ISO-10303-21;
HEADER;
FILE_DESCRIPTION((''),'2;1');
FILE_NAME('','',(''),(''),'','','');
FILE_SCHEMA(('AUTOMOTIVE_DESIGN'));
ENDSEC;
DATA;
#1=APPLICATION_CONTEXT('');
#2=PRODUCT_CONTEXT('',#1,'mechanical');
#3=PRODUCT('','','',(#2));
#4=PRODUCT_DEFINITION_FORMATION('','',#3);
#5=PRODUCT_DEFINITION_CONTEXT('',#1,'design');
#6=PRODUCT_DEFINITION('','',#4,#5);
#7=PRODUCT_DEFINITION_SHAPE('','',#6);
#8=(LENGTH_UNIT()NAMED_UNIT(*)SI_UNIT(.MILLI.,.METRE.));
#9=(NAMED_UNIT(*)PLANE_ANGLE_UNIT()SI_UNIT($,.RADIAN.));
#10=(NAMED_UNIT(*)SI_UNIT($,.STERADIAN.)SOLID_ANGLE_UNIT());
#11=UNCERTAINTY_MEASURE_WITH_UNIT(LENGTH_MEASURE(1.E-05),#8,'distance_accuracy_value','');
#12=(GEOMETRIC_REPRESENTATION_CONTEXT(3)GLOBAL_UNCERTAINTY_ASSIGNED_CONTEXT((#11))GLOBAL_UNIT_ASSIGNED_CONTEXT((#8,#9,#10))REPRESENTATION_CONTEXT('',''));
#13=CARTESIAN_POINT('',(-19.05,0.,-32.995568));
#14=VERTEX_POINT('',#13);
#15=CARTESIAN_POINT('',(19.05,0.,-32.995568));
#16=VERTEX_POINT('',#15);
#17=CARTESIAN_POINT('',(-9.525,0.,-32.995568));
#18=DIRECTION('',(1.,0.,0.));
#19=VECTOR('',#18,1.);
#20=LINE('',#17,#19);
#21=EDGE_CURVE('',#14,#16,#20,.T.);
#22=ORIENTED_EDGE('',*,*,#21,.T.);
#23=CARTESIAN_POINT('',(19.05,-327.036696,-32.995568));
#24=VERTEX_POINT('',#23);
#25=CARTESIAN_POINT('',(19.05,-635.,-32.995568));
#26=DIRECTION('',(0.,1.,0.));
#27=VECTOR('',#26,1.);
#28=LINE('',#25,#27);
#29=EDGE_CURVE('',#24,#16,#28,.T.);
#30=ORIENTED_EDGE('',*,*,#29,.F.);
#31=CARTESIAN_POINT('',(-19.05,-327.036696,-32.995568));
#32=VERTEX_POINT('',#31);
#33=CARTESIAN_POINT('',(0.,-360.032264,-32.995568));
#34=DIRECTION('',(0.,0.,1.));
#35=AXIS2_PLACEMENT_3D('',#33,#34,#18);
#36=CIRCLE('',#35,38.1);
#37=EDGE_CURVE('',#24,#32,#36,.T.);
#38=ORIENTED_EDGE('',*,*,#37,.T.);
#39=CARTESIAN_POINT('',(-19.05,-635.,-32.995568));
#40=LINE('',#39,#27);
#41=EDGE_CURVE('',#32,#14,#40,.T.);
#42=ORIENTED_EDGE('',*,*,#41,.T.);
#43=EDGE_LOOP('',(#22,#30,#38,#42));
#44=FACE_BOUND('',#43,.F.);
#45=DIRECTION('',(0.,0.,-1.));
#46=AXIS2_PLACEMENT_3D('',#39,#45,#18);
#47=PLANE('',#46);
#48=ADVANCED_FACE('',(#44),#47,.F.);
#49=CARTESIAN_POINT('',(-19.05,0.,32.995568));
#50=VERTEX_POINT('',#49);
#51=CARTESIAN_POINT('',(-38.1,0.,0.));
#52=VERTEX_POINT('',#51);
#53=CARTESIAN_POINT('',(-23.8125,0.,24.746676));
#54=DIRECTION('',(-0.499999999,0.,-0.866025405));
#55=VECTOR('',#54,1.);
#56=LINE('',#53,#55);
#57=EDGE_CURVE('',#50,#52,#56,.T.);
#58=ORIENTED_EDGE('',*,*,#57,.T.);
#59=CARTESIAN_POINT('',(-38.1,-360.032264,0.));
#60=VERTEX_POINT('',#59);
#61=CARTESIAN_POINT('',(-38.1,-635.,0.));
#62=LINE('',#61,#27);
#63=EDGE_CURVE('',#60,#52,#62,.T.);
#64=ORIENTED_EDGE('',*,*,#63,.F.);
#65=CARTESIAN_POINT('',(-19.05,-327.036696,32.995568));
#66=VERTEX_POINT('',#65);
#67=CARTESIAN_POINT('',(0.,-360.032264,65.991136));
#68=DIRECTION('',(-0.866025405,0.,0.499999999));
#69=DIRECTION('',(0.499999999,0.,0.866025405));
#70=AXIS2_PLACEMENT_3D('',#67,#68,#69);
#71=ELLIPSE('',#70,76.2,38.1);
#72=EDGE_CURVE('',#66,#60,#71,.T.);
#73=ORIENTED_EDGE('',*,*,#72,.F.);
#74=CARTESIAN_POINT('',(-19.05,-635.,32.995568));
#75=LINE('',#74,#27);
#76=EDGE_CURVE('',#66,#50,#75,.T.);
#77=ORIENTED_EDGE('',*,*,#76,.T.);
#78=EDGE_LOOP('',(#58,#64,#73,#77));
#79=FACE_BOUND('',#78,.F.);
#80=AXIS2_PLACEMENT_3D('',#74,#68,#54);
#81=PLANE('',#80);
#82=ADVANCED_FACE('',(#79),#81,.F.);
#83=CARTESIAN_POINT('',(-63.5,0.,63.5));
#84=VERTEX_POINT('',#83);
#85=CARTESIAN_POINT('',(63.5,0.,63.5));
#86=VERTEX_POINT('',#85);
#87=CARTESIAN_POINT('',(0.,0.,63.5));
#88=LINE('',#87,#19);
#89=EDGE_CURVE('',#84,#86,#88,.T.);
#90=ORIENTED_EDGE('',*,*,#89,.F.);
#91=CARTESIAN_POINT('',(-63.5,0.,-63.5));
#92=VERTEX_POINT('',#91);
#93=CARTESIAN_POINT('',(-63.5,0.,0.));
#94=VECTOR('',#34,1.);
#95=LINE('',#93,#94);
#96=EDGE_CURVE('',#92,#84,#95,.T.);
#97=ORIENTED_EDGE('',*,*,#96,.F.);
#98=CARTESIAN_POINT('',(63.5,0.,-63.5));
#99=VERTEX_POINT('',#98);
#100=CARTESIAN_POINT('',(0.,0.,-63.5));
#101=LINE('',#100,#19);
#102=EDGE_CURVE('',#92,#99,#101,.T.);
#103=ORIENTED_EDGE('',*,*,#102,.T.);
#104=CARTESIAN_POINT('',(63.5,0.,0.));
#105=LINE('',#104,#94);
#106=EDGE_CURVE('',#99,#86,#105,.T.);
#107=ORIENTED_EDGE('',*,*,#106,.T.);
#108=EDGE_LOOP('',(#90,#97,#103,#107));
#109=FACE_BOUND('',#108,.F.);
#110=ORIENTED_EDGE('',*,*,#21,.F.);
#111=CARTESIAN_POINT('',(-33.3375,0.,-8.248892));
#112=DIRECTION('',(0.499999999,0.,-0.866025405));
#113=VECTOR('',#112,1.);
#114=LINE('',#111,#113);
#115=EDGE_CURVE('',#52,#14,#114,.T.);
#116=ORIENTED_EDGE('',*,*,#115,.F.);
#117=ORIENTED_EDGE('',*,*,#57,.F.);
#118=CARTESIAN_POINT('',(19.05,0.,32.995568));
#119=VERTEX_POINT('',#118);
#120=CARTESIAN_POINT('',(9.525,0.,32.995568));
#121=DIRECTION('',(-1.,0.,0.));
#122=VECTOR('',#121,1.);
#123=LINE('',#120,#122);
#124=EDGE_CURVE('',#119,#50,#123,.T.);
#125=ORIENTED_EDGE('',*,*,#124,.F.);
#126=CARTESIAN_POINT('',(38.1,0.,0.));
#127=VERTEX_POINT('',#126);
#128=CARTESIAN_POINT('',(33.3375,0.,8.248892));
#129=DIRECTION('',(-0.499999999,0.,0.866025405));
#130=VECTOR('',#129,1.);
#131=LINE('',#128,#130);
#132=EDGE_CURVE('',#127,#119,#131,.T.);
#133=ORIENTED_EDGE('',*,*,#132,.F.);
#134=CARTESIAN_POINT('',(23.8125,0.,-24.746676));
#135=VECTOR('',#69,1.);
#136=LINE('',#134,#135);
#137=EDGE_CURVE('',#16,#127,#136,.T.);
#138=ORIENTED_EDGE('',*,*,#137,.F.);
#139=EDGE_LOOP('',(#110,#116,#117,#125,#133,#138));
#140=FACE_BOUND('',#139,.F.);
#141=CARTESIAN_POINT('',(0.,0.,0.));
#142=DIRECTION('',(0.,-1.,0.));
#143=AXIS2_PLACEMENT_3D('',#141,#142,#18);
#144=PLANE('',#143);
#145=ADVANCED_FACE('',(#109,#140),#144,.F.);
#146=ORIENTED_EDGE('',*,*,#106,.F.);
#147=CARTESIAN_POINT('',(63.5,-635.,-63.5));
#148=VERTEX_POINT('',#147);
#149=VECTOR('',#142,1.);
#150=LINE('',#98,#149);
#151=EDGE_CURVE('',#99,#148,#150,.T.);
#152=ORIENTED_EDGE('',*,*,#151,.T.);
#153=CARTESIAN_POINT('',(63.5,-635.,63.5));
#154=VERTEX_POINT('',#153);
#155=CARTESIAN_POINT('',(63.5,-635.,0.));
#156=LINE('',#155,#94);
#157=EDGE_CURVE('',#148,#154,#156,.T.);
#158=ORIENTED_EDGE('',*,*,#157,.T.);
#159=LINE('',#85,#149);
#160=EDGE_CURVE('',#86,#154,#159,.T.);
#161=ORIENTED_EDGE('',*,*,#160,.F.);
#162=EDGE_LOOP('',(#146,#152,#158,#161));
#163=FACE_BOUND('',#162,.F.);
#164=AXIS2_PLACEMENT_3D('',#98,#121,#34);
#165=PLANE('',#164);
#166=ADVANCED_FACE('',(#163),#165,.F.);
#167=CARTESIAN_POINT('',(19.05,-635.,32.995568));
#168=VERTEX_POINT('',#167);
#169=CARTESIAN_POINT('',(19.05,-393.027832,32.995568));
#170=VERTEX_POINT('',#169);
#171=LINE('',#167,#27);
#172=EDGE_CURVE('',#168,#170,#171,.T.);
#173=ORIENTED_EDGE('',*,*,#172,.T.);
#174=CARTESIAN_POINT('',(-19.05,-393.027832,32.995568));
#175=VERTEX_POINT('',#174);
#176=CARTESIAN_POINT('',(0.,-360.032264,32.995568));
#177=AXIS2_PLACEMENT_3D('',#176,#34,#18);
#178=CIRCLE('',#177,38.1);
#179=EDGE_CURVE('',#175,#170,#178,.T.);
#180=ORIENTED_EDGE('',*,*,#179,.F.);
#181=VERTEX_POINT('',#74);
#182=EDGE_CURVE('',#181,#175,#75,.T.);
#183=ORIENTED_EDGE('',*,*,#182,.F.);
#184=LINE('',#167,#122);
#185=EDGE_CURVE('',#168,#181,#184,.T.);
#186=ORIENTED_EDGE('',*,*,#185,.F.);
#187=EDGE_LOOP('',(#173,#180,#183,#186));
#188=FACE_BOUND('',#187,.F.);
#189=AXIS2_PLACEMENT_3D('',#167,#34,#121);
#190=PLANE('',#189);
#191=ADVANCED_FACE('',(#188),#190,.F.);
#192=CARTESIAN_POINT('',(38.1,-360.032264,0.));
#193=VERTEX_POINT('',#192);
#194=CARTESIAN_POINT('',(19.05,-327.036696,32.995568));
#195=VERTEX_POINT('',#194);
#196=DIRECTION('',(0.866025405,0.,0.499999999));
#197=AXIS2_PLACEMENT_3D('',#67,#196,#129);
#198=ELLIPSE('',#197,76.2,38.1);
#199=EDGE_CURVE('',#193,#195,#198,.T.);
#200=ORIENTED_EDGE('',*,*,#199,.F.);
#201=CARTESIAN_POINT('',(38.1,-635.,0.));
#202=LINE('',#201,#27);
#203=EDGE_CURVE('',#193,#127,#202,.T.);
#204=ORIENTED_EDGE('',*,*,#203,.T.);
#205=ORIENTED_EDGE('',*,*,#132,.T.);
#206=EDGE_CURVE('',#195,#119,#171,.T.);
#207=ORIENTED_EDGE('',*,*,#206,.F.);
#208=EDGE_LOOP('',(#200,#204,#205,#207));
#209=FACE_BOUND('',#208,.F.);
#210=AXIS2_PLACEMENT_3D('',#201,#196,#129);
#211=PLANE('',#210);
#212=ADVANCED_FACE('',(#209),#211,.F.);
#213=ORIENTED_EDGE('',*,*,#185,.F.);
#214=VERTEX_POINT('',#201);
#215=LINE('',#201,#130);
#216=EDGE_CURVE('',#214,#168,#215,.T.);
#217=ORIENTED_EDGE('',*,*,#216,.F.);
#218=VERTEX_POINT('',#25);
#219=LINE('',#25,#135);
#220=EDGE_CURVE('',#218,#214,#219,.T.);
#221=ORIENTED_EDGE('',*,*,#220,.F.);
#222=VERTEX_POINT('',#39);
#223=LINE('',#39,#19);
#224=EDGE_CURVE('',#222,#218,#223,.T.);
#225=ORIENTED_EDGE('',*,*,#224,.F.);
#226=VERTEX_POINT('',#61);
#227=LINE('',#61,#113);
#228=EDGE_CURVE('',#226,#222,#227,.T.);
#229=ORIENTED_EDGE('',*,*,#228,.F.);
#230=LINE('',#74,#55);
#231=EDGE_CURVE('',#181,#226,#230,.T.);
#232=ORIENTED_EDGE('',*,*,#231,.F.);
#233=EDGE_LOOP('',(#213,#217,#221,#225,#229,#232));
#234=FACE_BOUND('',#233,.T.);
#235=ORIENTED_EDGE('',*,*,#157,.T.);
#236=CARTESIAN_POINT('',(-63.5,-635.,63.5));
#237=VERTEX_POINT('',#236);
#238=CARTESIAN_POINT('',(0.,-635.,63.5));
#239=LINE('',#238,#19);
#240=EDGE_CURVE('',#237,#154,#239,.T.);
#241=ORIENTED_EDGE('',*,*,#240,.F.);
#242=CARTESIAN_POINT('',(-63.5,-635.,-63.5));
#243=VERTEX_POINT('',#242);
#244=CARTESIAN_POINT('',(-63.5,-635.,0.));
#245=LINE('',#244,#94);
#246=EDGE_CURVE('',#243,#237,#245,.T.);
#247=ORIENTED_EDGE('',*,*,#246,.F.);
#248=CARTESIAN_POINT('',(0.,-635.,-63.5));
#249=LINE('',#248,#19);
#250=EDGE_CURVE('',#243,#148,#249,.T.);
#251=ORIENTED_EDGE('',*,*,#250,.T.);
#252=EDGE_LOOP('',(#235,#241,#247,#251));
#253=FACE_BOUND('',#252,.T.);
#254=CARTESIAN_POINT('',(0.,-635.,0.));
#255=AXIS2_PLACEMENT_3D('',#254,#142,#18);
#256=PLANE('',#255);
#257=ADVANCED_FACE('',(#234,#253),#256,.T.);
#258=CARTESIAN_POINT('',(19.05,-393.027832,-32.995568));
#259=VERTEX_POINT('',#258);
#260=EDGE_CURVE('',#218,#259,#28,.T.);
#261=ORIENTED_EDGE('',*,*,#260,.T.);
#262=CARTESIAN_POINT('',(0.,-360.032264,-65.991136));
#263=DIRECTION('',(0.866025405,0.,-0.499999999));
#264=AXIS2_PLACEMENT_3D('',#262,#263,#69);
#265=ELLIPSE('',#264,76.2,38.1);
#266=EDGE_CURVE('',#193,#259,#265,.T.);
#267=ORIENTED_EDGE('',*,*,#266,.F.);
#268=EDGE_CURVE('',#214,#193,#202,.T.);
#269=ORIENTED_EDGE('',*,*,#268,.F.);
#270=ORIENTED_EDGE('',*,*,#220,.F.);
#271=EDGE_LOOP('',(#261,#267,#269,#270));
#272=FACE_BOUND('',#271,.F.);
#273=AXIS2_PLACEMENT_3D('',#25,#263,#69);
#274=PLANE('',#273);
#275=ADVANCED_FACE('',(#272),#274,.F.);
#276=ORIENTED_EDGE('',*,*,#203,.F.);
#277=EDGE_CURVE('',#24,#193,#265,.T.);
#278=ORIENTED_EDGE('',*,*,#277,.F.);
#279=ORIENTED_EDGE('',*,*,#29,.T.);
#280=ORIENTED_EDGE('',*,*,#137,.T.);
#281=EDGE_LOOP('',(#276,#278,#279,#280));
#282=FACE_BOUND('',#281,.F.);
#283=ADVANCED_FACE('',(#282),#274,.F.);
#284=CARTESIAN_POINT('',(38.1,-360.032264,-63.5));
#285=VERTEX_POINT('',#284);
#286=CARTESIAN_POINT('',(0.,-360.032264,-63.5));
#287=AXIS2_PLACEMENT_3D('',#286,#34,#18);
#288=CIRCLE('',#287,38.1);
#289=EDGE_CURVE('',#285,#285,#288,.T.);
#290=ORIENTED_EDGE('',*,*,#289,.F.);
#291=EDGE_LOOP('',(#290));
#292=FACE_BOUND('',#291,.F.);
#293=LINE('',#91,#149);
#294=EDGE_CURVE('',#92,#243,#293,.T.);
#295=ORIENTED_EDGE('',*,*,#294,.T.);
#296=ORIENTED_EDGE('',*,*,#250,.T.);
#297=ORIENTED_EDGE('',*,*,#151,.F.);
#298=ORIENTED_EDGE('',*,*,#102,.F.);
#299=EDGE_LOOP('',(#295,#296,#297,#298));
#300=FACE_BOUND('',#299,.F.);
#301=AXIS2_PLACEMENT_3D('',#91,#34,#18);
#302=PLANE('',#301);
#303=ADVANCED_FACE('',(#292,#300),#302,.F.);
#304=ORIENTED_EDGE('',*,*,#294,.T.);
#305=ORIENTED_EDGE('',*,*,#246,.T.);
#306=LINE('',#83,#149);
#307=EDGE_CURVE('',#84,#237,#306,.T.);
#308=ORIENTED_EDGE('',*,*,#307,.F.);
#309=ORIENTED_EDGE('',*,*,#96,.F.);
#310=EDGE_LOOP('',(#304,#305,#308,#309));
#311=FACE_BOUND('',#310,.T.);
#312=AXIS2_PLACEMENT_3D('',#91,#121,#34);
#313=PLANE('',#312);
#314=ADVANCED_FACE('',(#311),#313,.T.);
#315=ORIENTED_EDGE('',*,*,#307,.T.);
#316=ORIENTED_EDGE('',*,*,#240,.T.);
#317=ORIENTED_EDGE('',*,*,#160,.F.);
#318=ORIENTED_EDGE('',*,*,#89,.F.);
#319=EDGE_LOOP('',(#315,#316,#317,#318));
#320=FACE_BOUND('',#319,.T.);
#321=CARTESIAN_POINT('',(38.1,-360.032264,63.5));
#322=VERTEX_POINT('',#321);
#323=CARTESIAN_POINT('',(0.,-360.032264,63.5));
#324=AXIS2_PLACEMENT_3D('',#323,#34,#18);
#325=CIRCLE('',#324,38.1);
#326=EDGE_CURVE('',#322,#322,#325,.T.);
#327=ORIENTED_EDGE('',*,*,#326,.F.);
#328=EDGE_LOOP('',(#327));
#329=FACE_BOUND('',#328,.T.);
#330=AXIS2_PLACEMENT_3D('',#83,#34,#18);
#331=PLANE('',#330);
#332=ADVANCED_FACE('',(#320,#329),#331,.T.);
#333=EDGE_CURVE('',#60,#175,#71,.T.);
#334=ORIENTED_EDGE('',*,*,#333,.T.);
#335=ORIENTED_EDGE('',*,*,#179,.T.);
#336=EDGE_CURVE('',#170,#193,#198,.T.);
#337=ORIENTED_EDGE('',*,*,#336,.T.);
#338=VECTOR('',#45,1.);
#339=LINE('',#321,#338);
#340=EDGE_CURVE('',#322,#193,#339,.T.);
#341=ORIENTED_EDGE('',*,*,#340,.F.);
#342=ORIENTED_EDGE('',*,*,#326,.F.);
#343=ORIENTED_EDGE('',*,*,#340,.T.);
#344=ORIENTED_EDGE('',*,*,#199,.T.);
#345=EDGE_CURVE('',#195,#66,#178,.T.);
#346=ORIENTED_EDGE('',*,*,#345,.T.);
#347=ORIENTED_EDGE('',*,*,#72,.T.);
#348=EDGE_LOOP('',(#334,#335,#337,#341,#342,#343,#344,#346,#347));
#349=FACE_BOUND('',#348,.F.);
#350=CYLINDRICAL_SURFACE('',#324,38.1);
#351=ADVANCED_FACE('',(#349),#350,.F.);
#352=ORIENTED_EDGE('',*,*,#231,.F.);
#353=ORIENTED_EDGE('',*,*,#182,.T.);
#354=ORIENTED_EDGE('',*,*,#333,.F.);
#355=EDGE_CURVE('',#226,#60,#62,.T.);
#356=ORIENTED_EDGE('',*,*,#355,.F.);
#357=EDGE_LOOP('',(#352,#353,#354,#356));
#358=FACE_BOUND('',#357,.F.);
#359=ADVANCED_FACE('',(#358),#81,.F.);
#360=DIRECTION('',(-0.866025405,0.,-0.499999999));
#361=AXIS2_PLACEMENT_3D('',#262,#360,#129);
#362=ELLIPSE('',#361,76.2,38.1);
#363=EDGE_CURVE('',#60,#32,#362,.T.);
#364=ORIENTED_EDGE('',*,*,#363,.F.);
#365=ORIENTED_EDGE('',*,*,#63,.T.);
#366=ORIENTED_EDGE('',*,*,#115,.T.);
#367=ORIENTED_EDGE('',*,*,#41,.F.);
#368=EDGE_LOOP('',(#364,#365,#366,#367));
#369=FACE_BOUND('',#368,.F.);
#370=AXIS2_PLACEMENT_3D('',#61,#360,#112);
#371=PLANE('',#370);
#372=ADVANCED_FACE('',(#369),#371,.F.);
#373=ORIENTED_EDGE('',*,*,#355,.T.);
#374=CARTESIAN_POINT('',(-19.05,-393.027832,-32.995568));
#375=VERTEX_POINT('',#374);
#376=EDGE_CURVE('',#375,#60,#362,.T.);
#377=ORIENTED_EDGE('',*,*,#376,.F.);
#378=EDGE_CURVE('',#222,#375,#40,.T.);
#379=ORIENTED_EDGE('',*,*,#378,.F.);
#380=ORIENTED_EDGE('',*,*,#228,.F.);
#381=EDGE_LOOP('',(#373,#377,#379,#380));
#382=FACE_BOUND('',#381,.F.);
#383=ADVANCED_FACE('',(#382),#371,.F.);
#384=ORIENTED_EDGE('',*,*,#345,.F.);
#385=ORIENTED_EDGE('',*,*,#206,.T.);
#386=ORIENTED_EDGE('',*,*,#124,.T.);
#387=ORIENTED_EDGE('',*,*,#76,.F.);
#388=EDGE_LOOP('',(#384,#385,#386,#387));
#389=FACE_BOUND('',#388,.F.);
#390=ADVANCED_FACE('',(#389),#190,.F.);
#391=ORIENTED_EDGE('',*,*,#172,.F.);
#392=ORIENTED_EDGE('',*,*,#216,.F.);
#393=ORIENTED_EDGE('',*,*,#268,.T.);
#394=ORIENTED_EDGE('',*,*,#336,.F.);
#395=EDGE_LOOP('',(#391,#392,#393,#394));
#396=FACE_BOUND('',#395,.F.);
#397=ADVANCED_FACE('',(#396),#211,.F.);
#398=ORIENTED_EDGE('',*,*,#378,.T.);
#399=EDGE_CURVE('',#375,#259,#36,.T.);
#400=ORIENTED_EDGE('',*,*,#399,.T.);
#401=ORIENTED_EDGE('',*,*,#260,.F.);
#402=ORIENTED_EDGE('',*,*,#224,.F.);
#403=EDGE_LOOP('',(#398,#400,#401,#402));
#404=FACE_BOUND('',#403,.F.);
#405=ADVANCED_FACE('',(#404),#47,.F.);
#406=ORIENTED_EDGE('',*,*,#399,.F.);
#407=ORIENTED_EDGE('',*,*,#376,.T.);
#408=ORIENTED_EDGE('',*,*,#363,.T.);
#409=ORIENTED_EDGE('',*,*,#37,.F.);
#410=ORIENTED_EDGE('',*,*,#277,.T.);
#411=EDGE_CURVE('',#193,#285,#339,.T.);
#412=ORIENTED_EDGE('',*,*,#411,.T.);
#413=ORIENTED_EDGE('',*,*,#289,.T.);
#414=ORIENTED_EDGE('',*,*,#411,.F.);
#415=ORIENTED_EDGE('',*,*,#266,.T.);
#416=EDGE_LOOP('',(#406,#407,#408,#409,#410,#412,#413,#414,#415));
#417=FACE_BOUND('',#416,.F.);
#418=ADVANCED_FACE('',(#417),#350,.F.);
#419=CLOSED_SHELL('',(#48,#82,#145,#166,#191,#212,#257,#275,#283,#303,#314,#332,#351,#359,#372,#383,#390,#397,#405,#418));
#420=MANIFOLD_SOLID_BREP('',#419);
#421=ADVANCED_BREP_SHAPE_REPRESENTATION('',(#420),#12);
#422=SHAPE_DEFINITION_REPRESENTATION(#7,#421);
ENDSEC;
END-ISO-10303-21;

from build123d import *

# Parameters (mm, degrees)
F0_W     = 127
F0_H     = 127
F1_DEPTH = 635
F2_R     = 38.1
F3_DEPTH = 127.001
F5_DEPTH = 635.001


with BuildPart() as f1:
    # F0 (on Front) → F1 (new body)
    with BuildSketch(Plane.XZ):
        Rectangle(F0_W, F0_H)
    extrude(amount=F1_DEPTH)

    # F2 (on face) → F3 (cut, through all)
    with BuildSketch(Plane.XY.offset(63.5)):
        with Locations((0, -360.032264)):
            Circle(F2_R)
    extrude(amount=-F3_DEPTH, mode=Mode.SUBTRACT)

    # F4 (on face) → F5 (cut, through all)
    with BuildSketch(Plane.XZ.offset(635)):
        Polygon((19.05, -32.995568), (38.1, 0), (19.05, 32.995568), (-19.05, 32.995568), (-38.1, 0), (-19.05, -32.995568), align=None)
    extrude(amount=-F5_DEPTH, mode=Mode.SUBTRACT)


solid = f1.part
